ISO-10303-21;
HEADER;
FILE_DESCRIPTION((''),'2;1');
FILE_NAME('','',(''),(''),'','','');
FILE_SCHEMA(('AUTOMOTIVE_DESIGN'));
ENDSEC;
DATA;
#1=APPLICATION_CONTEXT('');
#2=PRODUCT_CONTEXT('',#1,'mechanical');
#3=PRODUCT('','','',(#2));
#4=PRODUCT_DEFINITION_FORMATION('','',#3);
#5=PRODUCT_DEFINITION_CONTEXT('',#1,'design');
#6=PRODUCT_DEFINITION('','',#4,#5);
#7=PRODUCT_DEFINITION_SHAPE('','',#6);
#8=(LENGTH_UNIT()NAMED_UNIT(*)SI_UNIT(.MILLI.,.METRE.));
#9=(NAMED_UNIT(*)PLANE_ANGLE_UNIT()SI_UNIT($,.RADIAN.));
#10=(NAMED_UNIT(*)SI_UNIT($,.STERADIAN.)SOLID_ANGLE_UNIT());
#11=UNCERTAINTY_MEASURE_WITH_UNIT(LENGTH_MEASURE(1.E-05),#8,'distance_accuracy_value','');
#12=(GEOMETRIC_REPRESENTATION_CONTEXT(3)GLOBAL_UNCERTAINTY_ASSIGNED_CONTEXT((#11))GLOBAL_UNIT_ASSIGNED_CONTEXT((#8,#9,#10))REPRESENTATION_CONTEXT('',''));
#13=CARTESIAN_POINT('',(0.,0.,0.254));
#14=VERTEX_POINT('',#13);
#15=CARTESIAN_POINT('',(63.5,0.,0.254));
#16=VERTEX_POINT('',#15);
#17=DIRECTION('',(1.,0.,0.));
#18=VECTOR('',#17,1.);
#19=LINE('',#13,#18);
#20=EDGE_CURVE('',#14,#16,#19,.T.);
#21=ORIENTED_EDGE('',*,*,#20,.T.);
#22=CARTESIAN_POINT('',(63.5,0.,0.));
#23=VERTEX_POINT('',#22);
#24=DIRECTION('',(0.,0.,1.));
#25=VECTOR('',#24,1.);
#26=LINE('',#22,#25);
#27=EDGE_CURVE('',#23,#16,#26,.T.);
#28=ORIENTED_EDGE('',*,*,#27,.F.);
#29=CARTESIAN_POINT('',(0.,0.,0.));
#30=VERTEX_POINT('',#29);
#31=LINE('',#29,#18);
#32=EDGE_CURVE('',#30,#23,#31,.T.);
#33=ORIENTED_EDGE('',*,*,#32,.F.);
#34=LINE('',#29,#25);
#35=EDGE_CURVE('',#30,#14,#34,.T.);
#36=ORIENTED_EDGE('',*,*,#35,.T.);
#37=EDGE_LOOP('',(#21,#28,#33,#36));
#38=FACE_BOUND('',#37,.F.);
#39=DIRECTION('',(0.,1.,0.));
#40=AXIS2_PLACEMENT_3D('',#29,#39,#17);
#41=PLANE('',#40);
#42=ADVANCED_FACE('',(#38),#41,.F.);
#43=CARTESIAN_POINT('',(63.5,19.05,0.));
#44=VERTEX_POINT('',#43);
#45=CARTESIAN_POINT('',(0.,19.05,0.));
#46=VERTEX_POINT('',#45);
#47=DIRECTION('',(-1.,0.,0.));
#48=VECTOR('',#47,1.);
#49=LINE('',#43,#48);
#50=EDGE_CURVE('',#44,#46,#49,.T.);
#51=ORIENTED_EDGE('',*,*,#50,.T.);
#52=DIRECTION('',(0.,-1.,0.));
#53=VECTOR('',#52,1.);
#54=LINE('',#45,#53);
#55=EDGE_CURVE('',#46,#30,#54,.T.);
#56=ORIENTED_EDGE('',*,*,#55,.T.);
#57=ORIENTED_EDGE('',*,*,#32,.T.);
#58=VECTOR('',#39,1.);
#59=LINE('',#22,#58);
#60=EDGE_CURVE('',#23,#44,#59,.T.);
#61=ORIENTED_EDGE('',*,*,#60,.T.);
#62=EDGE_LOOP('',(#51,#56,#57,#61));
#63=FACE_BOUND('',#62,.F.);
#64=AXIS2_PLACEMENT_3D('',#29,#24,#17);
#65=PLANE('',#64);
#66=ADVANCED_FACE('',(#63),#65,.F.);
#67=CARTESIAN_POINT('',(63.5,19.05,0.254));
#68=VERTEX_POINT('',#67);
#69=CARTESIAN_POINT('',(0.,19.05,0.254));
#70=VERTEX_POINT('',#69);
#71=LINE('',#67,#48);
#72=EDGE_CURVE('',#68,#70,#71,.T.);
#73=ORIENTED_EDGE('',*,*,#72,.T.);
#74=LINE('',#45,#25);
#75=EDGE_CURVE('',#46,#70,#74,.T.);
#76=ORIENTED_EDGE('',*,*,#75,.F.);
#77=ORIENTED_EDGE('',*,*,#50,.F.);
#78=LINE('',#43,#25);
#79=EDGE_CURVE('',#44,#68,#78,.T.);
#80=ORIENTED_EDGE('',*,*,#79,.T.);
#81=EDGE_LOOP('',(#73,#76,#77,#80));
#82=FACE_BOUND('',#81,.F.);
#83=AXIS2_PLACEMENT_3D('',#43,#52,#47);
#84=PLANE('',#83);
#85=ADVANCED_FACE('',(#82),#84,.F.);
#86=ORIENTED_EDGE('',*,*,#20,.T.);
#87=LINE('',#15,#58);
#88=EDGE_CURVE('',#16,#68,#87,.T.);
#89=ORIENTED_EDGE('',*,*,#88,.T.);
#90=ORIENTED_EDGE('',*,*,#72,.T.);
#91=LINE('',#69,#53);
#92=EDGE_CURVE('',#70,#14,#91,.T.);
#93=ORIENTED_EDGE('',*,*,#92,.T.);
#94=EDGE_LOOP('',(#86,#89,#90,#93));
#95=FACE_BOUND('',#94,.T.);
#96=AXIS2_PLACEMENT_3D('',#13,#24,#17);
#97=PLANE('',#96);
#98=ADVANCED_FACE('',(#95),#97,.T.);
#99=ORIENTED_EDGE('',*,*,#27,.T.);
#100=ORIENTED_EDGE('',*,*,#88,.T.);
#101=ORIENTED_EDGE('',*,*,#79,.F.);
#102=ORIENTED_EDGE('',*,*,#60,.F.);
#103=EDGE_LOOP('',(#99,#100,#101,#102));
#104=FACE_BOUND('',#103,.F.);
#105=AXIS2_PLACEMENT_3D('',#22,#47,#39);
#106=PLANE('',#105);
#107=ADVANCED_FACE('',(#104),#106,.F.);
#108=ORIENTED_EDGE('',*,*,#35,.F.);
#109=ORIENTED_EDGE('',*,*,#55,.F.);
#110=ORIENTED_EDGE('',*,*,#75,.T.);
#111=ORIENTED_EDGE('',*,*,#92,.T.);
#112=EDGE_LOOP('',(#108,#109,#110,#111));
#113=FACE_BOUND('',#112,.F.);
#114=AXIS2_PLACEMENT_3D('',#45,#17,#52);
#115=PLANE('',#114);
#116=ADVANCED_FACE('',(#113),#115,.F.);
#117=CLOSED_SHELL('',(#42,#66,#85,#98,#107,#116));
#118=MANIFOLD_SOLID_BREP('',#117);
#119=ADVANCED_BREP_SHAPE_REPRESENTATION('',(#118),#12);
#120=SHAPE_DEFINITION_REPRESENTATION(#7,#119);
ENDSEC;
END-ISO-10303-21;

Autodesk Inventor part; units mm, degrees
ref_plane "YZ Plane" through (0, 0, 0) normal (1, 0, 0) x (0, 1, 0)
ref_plane "XZ Plane" through (0, 0, 0) normal (0, 1, 0) x (-1, 0, 0)
ref_plane "XY Plane" through (0, 0, 0) normal (0, 0, 1) x (1, 0, 0)
sketch "Sketch1" plane through (0, 0, 0) normal (0, 0, 1) x (1, 0, 0)
  line L0 (0, 0) -> (63.5, 0)
  line L1 (63.5, 0) -> (63.5, 19.05)
  line L2 (63.5, 19.05) -> (0, 19.05)
  line L3 (0, 19.05) -> (0, 0)
  dimension "d0" = 19.05
  dimension "d1" = 63.5
extrude "Extrusion1" add sketch "Sketch1" along normal blind 0.254
properties part number "Teflon01"
